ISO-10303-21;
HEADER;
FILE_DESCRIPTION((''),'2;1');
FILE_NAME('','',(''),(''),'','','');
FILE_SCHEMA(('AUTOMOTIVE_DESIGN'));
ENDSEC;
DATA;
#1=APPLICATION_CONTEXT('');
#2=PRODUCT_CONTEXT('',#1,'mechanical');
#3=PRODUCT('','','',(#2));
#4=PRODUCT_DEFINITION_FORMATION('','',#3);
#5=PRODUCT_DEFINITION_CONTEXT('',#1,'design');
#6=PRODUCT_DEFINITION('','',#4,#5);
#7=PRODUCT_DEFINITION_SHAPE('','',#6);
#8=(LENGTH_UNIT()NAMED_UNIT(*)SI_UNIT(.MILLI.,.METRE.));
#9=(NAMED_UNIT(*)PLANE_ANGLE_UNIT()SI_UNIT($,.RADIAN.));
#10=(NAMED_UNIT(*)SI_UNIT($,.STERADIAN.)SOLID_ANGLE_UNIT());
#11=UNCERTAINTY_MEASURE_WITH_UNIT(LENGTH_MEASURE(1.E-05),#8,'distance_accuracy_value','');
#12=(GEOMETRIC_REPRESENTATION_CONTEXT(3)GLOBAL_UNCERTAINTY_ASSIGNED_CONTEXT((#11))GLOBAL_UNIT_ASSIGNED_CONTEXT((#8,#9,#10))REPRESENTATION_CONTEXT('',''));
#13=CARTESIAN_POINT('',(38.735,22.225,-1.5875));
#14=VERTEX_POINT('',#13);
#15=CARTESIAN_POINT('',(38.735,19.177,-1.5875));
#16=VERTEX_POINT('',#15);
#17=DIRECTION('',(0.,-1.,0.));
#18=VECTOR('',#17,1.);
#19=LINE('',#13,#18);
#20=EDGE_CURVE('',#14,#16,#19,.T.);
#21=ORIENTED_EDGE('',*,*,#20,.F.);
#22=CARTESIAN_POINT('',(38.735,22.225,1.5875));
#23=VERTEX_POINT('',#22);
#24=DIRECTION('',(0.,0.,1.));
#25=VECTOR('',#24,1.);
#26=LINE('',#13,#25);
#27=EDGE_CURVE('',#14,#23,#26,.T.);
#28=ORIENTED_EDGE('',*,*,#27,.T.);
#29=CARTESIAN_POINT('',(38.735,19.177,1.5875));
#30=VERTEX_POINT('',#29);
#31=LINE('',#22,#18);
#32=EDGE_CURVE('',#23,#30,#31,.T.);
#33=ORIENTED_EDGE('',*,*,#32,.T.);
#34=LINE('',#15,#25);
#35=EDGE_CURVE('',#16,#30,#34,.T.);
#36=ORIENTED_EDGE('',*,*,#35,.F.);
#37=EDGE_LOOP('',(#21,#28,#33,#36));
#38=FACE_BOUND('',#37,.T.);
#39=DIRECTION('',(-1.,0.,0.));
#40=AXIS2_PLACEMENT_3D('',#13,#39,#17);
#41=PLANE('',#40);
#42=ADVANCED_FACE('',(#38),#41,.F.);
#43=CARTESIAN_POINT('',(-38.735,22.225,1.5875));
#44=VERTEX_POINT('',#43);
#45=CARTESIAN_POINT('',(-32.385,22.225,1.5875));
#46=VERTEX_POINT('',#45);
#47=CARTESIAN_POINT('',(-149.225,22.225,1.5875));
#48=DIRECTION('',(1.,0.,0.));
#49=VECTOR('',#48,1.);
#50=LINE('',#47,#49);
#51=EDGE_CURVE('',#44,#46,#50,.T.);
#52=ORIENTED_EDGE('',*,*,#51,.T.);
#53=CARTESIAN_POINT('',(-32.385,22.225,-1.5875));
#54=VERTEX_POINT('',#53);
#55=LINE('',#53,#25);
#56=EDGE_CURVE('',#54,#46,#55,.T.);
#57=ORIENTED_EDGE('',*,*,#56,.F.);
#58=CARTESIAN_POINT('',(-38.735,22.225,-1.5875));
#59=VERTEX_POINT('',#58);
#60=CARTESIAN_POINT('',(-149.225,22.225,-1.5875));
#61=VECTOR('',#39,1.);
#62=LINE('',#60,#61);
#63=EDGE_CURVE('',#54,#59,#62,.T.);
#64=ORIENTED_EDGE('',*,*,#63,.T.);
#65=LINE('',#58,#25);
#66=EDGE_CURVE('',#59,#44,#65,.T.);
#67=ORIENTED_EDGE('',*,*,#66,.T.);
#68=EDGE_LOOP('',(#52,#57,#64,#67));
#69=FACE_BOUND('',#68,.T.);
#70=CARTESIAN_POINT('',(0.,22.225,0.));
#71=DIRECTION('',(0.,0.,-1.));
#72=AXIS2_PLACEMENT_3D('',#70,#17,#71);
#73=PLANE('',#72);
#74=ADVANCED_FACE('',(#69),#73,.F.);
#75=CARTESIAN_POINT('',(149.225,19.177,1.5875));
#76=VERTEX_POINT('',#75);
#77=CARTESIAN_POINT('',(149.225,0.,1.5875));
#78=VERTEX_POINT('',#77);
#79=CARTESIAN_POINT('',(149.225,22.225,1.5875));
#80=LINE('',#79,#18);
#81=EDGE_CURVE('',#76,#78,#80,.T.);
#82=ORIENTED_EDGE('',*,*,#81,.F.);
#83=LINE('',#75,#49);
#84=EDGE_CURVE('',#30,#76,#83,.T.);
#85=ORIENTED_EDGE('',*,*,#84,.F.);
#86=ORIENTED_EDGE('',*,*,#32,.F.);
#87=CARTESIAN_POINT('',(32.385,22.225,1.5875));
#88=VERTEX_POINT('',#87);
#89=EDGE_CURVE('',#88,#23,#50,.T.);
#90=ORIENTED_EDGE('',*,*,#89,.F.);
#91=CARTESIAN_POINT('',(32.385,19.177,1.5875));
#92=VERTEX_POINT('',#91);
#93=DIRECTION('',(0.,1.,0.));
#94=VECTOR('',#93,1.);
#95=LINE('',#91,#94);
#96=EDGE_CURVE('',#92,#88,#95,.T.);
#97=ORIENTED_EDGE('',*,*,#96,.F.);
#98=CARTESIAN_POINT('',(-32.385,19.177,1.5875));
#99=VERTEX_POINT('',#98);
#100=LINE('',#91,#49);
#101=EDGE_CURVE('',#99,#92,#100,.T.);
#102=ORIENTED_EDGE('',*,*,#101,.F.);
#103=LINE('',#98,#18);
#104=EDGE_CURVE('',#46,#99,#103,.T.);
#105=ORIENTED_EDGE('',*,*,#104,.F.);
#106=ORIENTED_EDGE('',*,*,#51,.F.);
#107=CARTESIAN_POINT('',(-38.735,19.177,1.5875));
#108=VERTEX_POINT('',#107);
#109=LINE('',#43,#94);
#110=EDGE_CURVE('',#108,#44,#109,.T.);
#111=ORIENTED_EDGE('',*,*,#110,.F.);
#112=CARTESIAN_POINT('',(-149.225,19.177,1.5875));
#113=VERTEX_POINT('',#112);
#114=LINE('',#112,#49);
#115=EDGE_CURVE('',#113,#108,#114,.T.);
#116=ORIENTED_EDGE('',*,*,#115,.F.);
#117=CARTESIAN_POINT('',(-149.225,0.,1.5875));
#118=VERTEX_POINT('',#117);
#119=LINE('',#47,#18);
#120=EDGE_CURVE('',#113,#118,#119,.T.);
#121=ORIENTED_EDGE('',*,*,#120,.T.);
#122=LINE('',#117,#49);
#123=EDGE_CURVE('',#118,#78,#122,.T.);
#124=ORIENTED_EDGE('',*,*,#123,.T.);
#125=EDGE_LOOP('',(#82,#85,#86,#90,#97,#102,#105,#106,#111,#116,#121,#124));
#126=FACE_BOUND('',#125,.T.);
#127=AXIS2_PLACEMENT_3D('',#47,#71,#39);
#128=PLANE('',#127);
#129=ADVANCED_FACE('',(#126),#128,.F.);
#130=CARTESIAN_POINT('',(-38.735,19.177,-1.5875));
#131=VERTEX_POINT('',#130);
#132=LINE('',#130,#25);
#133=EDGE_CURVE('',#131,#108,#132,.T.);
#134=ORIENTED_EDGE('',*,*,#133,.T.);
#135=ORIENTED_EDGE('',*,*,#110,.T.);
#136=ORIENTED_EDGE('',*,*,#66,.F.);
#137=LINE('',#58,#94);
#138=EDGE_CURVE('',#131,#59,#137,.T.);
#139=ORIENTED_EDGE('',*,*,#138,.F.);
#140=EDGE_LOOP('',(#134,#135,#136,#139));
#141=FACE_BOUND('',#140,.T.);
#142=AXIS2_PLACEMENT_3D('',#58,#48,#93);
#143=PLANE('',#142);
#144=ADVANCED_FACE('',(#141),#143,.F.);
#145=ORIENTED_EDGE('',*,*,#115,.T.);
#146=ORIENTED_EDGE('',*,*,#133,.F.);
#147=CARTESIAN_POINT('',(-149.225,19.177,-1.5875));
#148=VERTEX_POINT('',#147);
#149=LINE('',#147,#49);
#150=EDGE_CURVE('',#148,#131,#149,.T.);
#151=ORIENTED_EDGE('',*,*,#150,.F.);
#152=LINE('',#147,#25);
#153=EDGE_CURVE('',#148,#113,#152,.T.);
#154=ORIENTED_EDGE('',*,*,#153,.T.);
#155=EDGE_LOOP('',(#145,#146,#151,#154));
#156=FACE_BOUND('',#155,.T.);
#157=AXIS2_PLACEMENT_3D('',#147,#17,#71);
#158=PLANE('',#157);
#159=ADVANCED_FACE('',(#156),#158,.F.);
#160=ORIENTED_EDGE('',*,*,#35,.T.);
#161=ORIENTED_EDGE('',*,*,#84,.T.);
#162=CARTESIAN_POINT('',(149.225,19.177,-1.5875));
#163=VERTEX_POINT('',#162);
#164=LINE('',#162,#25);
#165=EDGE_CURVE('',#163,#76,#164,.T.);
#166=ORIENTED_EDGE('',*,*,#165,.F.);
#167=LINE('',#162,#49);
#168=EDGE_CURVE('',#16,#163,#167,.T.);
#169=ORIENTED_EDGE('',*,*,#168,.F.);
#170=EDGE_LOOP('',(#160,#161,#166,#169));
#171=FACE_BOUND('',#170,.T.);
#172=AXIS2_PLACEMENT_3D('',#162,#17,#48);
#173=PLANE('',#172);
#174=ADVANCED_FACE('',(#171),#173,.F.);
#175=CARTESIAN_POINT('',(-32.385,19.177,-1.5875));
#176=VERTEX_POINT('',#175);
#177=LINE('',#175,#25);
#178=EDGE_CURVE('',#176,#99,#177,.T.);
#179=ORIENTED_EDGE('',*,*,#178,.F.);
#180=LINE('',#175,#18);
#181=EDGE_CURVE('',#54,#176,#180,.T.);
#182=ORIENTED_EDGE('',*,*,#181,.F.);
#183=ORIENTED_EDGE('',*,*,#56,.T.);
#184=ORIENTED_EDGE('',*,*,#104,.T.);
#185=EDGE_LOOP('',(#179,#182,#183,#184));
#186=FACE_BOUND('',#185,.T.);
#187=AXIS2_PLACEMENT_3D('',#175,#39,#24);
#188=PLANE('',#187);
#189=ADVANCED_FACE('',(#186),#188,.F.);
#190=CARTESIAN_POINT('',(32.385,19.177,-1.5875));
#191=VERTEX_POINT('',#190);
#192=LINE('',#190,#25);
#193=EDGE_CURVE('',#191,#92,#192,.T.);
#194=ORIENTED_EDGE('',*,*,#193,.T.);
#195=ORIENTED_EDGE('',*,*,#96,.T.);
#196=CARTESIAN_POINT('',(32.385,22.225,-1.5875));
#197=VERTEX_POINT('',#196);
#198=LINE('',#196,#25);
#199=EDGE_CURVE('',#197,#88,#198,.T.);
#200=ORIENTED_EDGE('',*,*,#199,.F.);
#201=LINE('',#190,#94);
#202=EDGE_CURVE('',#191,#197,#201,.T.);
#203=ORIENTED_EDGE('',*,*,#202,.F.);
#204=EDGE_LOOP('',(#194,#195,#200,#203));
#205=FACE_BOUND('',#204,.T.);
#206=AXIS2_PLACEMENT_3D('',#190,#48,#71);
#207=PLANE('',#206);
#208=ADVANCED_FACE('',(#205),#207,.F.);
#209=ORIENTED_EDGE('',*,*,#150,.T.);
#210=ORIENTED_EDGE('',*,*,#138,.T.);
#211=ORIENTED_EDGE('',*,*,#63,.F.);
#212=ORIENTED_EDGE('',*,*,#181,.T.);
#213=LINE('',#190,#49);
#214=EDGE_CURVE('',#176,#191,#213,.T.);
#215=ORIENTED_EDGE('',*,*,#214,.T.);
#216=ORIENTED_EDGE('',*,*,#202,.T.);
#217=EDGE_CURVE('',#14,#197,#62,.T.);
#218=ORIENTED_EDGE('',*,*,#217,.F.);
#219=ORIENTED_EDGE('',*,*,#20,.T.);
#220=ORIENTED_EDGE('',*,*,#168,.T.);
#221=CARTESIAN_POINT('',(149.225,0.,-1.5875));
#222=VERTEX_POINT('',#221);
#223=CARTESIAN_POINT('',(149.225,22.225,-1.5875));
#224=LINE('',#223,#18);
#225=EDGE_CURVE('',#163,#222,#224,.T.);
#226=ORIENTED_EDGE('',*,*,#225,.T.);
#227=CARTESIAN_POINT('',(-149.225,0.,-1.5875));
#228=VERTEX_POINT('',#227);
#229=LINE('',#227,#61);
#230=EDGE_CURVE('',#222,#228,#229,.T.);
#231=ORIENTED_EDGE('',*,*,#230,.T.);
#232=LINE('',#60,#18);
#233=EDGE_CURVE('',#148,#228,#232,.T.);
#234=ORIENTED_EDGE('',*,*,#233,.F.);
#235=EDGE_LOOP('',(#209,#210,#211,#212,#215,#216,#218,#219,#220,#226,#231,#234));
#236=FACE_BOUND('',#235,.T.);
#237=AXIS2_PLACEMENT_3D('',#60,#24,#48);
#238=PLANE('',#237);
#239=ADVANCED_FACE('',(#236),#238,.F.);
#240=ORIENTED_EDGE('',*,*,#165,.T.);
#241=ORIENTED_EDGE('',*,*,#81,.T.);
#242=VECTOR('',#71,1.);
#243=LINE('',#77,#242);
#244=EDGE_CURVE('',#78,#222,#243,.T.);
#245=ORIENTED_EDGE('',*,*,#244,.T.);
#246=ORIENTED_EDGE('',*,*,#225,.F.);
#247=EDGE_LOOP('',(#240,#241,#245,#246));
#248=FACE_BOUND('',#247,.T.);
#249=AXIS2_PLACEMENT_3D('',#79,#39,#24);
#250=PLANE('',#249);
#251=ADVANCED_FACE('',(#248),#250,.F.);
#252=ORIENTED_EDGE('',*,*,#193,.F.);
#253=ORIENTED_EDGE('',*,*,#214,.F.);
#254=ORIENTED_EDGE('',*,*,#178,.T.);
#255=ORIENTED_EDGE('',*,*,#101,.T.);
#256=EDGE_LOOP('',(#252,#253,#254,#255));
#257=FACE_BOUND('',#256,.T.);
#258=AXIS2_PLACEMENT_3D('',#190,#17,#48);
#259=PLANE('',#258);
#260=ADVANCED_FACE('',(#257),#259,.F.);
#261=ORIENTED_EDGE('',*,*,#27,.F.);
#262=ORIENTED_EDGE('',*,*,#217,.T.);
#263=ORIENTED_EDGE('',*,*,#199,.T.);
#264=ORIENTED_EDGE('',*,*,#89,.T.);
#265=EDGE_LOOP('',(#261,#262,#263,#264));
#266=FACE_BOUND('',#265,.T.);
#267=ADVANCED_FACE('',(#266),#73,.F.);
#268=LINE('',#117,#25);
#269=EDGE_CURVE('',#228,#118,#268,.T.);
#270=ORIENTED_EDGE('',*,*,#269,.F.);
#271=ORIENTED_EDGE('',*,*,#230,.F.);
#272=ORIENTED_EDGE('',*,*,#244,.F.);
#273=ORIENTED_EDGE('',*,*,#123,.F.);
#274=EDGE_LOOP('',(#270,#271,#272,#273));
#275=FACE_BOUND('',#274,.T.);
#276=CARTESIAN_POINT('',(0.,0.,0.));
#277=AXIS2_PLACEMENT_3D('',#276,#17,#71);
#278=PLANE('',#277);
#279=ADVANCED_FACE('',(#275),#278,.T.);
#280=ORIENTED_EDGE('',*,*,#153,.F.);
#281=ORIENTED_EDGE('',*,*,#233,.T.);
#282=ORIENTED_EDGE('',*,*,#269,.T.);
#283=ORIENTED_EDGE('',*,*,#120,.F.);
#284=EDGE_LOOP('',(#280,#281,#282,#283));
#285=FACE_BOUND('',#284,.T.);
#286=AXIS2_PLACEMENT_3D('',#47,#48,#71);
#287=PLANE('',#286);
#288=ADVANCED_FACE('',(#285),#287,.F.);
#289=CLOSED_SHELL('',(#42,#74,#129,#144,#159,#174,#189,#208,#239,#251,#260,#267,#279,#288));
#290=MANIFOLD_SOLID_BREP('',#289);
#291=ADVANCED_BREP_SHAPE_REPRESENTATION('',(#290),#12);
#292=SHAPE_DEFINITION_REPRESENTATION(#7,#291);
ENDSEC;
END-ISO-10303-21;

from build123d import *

# Parameters (mm, degrees)
SKETCH1_W           = 298.45
SKETCH1_H           = 3.175
BOSS_EXTRUDE1_DEPTH = 22.225
SKETCH2_W           = 110.49
SKETCH2_H           = 3.048
SKETCH2_W_2         = 64.77
CUT_EXTRUDE1_DEPTH  = 151.904379907


with BuildPart() as part:
    # Sketch1 → Boss-Extrude1 (new body)
    with BuildSketch(Plane(origin=(0, 0, 0), x_dir=(1, 0, 0), z_dir=(0, 1, 0))):
        Rectangle(SKETCH1_W, SKETCH1_H)
    extrude(amount=BOSS_EXTRUDE1_DEPTH)

    # Sketch2 → Cut-Extrude1 (cut, through all)
    with BuildSketch(Plane.XY.offset(1.5875)):
        with Locations((-93.98, 20.701)):
            Rectangle(SKETCH2_W, SKETCH2_H)
        with Locations((93.98, 20.701)):
            Rectangle(SKETCH2_W, SKETCH2_H)
        with Locations((0, 20.701)):
            Rectangle(SKETCH2_W_2, SKETCH2_H)
    extrude(amount=-CUT_EXTRUDE1_DEPTH, mode=Mode.SUBTRACT)


solid = part.part
